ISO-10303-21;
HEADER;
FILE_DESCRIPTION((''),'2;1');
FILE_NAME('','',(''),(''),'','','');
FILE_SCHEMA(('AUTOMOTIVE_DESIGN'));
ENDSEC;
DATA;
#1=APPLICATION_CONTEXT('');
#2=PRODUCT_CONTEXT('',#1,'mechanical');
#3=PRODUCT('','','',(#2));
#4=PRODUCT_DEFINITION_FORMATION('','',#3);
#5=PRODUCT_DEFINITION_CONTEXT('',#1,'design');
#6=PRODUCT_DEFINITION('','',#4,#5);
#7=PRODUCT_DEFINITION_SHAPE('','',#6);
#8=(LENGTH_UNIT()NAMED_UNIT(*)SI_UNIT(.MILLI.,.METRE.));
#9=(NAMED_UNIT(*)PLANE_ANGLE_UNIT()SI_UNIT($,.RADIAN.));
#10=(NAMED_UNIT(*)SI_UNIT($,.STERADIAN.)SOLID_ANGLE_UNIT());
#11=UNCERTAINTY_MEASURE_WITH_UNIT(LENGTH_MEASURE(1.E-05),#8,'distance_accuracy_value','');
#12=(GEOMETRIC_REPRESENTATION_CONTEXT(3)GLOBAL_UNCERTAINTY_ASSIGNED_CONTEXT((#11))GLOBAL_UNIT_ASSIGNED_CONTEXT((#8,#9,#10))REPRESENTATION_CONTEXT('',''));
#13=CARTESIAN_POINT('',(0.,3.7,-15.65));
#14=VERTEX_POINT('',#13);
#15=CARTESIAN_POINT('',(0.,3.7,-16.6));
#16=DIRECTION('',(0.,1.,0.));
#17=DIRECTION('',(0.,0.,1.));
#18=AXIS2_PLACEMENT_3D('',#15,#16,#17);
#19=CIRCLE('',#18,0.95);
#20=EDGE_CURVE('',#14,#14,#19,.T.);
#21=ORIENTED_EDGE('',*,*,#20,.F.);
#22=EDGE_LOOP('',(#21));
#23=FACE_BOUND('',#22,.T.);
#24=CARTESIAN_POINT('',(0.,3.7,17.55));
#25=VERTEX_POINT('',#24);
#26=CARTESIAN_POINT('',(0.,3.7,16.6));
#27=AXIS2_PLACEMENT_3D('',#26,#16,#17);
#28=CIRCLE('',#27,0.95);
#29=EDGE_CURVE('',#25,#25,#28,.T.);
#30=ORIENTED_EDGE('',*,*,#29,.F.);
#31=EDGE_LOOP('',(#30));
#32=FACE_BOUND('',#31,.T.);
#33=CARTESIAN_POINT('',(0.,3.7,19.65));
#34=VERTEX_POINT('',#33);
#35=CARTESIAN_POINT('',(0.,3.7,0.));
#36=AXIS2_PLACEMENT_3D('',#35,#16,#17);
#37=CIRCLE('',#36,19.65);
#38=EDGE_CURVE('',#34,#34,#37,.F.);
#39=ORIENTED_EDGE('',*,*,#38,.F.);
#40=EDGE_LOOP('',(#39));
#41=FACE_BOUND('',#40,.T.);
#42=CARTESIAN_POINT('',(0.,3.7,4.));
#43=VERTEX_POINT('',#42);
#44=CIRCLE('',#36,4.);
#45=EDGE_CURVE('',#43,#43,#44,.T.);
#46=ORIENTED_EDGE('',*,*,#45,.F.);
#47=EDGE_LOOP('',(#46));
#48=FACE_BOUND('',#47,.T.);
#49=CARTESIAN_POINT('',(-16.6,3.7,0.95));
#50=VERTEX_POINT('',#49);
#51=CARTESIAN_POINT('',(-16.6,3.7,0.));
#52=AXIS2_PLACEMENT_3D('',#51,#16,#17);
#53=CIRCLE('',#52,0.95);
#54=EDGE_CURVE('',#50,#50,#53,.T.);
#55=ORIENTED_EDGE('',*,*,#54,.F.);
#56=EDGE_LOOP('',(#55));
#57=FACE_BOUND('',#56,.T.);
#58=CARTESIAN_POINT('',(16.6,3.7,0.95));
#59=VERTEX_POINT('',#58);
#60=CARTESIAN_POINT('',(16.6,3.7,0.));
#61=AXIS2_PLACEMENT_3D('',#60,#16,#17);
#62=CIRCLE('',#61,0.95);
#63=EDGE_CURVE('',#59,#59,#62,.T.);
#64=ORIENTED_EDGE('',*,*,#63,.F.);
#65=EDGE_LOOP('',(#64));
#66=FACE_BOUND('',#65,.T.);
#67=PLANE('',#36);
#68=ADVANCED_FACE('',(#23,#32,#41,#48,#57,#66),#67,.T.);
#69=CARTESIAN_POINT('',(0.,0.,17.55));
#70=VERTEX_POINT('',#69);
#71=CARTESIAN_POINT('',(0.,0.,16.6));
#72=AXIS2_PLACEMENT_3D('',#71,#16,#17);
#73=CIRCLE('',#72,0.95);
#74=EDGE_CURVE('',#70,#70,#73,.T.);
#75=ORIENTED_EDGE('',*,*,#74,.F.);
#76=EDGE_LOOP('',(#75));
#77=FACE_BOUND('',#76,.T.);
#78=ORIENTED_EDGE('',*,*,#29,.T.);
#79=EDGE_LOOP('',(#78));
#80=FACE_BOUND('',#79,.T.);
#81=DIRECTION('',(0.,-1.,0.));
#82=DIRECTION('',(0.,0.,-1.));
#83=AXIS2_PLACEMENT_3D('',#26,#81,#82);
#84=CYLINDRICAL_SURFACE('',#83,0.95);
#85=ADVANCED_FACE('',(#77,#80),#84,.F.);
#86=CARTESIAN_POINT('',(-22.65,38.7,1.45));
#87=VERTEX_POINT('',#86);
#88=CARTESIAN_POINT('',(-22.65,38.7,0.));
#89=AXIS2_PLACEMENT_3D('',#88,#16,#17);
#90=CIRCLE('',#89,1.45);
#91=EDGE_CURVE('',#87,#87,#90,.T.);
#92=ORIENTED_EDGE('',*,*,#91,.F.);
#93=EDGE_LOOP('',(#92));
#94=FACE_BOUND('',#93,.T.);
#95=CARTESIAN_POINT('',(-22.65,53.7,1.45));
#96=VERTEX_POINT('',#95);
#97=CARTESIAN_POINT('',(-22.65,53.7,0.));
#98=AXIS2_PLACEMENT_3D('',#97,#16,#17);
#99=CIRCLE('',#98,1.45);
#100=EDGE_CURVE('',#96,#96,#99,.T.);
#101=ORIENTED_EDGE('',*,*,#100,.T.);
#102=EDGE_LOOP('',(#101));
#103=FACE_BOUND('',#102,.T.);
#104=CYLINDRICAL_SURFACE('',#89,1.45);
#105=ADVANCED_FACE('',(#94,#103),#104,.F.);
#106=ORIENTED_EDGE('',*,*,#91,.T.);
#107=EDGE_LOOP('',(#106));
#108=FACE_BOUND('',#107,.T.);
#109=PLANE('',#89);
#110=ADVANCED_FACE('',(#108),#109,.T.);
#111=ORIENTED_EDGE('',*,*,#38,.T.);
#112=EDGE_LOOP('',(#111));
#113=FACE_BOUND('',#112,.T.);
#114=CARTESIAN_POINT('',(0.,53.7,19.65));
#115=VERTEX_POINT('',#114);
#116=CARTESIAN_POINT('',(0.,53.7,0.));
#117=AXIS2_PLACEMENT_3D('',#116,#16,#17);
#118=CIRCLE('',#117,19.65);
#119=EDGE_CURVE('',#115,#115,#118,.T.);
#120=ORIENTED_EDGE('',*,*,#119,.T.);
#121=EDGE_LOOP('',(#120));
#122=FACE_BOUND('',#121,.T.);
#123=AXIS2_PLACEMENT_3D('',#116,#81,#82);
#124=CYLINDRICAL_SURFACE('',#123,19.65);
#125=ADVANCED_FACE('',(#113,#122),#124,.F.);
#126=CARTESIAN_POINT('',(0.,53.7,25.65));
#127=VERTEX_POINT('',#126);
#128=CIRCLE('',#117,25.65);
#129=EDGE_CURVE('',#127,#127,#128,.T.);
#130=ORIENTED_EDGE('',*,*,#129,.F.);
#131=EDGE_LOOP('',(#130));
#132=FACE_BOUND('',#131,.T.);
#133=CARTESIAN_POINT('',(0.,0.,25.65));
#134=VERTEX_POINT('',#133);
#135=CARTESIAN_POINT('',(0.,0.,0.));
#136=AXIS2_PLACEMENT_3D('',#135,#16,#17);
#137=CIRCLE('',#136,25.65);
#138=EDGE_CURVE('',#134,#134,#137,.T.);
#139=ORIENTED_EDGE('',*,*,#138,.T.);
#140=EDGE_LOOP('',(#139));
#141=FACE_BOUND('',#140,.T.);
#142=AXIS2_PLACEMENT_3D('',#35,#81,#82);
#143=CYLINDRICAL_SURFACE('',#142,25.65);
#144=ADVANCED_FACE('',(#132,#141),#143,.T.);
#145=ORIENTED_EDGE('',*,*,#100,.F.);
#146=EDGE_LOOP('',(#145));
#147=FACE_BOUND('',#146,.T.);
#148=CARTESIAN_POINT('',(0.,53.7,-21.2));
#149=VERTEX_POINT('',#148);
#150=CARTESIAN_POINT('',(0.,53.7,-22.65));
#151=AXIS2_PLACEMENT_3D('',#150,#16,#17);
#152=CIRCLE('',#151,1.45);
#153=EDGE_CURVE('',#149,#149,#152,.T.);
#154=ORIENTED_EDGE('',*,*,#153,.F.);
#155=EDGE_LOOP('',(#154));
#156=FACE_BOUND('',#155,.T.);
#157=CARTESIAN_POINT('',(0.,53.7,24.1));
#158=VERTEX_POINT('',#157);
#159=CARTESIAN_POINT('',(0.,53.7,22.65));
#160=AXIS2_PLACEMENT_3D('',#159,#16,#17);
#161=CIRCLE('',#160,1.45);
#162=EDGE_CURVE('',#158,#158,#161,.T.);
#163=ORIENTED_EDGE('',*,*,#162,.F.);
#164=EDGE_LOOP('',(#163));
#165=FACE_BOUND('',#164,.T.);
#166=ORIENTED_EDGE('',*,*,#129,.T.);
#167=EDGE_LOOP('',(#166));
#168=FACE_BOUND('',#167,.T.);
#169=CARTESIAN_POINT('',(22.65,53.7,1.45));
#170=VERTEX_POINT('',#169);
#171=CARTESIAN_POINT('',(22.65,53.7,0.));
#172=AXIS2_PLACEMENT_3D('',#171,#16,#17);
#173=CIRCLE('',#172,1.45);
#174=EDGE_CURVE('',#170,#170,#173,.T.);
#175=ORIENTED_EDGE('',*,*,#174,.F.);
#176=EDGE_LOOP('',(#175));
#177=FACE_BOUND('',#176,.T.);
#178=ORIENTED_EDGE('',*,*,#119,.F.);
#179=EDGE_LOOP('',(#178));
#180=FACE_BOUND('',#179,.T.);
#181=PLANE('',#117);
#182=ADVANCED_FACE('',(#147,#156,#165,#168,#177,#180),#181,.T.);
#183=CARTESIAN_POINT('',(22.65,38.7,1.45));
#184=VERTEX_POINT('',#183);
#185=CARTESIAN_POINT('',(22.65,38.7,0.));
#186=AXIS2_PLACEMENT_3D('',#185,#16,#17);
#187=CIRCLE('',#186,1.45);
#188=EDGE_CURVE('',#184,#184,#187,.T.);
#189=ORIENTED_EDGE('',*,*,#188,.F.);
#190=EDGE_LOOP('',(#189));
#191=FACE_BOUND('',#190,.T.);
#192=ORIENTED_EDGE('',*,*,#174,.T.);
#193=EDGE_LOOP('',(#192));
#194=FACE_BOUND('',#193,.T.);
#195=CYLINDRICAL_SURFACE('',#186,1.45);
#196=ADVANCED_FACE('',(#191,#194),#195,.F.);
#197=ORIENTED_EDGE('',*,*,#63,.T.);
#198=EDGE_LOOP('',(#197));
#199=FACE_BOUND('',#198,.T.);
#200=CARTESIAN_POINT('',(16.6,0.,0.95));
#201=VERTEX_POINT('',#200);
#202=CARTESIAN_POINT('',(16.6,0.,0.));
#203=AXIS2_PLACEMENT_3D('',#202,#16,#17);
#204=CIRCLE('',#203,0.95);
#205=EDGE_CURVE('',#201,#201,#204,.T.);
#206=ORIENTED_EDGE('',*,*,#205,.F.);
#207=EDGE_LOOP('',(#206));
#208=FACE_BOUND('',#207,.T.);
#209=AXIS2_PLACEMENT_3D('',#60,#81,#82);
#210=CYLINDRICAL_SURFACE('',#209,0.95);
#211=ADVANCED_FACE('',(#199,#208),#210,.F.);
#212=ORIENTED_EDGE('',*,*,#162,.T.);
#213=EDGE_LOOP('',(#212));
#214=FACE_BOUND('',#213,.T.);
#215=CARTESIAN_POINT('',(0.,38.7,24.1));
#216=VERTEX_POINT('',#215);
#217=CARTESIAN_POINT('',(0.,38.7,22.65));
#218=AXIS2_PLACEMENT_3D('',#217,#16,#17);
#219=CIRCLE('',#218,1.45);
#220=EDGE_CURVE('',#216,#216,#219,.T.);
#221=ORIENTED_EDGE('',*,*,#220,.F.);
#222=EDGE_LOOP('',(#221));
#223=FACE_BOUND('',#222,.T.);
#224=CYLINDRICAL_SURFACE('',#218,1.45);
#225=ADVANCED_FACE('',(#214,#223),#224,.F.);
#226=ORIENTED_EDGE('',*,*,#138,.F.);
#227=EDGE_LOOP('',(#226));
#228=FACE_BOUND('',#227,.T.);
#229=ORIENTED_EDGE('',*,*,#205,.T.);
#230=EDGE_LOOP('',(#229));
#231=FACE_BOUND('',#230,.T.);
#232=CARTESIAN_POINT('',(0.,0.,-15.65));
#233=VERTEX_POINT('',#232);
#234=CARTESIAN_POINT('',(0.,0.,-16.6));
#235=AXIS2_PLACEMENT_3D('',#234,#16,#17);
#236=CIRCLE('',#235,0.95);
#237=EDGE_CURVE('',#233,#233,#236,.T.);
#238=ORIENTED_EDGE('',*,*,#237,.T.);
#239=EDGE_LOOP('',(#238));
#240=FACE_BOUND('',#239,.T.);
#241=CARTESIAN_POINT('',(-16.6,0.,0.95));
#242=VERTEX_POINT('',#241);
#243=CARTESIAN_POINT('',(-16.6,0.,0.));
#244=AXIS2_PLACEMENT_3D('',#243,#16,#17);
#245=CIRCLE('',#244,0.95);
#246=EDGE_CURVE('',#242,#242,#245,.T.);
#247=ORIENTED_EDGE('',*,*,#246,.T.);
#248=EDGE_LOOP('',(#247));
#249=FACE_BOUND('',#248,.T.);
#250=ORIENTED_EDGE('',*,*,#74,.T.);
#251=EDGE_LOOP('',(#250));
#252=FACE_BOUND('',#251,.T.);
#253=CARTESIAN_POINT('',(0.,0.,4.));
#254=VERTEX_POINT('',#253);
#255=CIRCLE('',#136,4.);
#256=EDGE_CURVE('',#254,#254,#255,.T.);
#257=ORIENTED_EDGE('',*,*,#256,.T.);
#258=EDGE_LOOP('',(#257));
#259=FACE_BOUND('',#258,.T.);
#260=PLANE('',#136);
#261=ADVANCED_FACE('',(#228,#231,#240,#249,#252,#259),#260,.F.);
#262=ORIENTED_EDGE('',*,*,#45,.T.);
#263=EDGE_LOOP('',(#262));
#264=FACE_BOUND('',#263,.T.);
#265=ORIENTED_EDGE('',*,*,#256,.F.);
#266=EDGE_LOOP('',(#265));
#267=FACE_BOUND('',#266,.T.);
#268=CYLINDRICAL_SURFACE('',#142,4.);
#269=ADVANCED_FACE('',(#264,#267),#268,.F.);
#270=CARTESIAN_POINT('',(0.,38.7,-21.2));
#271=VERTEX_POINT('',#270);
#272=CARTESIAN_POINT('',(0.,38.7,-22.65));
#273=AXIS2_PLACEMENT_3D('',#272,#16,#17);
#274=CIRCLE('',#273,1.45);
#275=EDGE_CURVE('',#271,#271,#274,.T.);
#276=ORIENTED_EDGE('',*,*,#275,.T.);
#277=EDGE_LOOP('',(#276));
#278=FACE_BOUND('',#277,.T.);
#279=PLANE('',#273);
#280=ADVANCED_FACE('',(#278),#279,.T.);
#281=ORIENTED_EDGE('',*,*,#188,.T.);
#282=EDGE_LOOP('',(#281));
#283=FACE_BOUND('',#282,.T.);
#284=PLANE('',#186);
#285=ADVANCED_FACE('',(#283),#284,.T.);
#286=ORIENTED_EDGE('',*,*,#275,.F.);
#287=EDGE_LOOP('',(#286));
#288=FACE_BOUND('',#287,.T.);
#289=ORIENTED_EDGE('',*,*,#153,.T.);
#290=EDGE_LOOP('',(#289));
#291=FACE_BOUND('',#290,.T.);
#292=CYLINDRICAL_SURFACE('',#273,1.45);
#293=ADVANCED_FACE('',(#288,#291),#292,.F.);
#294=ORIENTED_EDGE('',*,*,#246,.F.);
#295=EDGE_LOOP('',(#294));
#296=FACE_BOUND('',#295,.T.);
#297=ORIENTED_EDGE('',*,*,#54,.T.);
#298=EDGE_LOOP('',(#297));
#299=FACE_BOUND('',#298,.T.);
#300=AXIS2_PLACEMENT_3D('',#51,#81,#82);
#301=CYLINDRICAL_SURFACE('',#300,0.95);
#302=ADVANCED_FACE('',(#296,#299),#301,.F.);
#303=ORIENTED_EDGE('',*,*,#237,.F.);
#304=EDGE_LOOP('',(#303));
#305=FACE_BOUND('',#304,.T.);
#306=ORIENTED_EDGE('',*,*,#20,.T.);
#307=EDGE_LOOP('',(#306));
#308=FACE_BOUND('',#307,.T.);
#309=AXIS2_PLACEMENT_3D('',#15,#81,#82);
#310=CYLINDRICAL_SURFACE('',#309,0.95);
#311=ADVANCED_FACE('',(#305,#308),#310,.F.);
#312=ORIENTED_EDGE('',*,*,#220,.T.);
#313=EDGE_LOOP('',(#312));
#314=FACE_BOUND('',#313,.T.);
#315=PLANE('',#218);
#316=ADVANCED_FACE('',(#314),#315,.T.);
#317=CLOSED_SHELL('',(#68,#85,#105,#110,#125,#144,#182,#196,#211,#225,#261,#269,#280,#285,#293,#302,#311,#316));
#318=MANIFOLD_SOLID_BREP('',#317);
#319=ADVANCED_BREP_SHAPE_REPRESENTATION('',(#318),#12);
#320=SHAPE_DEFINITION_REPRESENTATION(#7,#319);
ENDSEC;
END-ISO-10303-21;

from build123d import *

# Parameters (mm, degrees)
SKETCH1_R           = 25.65
SKETCH1_R_2         = 19.65
SKETCH1_R_3         = 4
SKETCH1_R_4         = 0.95
BOSS_EXTRUDE1_DEPTH = 3.7
SKETCH2_R           = 25.65
SKETCH2_R_2         = 19.65
SKETCH2_R_3         = 4
SKETCH2_R_4         = 0.95
BOSS_EXTRUDE2_DEPTH = 50
SKETCH3_R           = 1.45
CUT_EXTRUDE1_DEPTH  = 15


with BuildPart() as part:
    # Sketch1 → Boss-Extrude1 (new body)
    # profile 1 of 2: a face of its own
    with BuildSketch(Plane(origin=(0, 0, 0), x_dir=(1, 0, 0), z_dir=(0, 1, 0))):
        with Locations(Location((0, 0, 0), (0, 0, 270))):
            Circle(SKETCH1_R)
        Circle(SKETCH1_R_2, mode=Mode.SUBTRACT)
    # profile 2 of 2: a face of its own
    with BuildSketch(Plane(origin=(0, 0, 0), x_dir=(1, 0, 0), z_dir=(0, 1, 0))):
        Circle(SKETCH1_R_2)
        with Locations(Location((0, 0, 0), (0, 0, 270))):
            Circle(SKETCH1_R_3, mode=Mode.SUBTRACT)
        with Locations(Location((16.6, 0, 0), (0, 0, 270))):
            Circle(SKETCH1_R_4, mode=Mode.SUBTRACT)
        with Locations(Location((0, -16.6, 0), (0, 0, 270))):
            Circle(SKETCH1_R_4, mode=Mode.SUBTRACT)
        with Locations(Location((-16.6, 0, 0), (0, 0, 270))):
            Circle(SKETCH1_R_4, mode=Mode.SUBTRACT)
        with Locations(Location((0, 16.6, 0), (0, 0, 270))):
            Circle(SKETCH1_R_4, mode=Mode.SUBTRACT)
    extrude(amount=BOSS_EXTRUDE1_DEPTH)

    # Sketch2 → Boss-Extrude2 (add)
    # profile 1 of 6: a face of its own
    with BuildSketch(Plane(origin=(0, 3.7, 0), x_dir=(1, 0, 0), z_dir=(0, 1, 0))):
        with Locations(Location((0, 0, 0), (0, 0, 270))):
            Circle(SKETCH2_R)
        with Locations(Location((0, 0, 0), (0, 0, 270))):
            Circle(SKETCH2_R_2, mode=Mode.SUBTRACT)
    # profile 2 of 6: a face of its own
    with BuildSketch(Plane(origin=(0, 3.7, 0), x_dir=(1, 0, 0), z_dir=(0, 1, 0))):
        with Locations(Location((0, 0, 0), (0, 0, 270))):
            Circle(SKETCH2_R_3)
    # profile 3 of 6: a face of its own
    with BuildSketch(Plane(origin=(0, 3.7, 0), x_dir=(1, 0, 0), z_dir=(0, 1, 0))):
        with Locations(Location((0, 16.6, 0), (0, 0, 270))):
            Circle(SKETCH2_R_4)
    # profile 4 of 6: a face of its own
    with BuildSketch(Plane(origin=(0, 3.7, 0), x_dir=(1, 0, 0), z_dir=(0, 1, 0))):
        with Locations(Location((-16.6, 0, 0), (0, 0, 270))):
            Circle(SKETCH2_R_4)
    # profile 5 of 6: a face of its own
    with BuildSketch(Plane(origin=(0, 3.7, 0), x_dir=(1, 0, 0), z_dir=(0, 1, 0))):
        with Locations(Location((0, -16.6, 0), (0, 0, 270))):
            Circle(SKETCH2_R_4)
    # profile 6 of 6: a face of its own
    with BuildSketch(Plane(origin=(0, 3.7, 0), x_dir=(1, 0, 0), z_dir=(0, 1, 0))):
        with Locations(Location((16.6, 0, 0), (0, 0, 270))):
            Circle(SKETCH2_R_4)
    extrude(amount=BOSS_EXTRUDE2_DEPTH)


with BuildPart() as boss_extrude2_kept_piece:
    # of the separate pieces the step leaves, the one the design keeps (boss_extrude2_pieces_kept)
    add(part.part.solids().sort_by_distance((0, 0, 25.65))[0])

    # Sketch3 → Cut-Extrude1 (cut)
    with BuildSketch(Plane(origin=(0, 53.7, 0), x_dir=(1, 0, 0), z_dir=(0, 1, 0))):
        with Locations(Location((22.65, 0, 0), (0, 0, 270))):
            Circle(SKETCH3_R)
        with Locations(Location((0, -22.65, 0), (0, 0, 270))):
            Circle(SKETCH3_R)
        with Locations(Location((-22.65, 0, 0), (0, 0, 270))):
            Circle(SKETCH3_R)
        with Locations(Location((0, 22.65, 0), (0, 0, 270))):
            Circle(SKETCH3_R)
    extrude(amount=-CUT_EXTRUDE1_DEPTH, mode=Mode.SUBTRACT)


solid = boss_extrude2_kept_piece.part
